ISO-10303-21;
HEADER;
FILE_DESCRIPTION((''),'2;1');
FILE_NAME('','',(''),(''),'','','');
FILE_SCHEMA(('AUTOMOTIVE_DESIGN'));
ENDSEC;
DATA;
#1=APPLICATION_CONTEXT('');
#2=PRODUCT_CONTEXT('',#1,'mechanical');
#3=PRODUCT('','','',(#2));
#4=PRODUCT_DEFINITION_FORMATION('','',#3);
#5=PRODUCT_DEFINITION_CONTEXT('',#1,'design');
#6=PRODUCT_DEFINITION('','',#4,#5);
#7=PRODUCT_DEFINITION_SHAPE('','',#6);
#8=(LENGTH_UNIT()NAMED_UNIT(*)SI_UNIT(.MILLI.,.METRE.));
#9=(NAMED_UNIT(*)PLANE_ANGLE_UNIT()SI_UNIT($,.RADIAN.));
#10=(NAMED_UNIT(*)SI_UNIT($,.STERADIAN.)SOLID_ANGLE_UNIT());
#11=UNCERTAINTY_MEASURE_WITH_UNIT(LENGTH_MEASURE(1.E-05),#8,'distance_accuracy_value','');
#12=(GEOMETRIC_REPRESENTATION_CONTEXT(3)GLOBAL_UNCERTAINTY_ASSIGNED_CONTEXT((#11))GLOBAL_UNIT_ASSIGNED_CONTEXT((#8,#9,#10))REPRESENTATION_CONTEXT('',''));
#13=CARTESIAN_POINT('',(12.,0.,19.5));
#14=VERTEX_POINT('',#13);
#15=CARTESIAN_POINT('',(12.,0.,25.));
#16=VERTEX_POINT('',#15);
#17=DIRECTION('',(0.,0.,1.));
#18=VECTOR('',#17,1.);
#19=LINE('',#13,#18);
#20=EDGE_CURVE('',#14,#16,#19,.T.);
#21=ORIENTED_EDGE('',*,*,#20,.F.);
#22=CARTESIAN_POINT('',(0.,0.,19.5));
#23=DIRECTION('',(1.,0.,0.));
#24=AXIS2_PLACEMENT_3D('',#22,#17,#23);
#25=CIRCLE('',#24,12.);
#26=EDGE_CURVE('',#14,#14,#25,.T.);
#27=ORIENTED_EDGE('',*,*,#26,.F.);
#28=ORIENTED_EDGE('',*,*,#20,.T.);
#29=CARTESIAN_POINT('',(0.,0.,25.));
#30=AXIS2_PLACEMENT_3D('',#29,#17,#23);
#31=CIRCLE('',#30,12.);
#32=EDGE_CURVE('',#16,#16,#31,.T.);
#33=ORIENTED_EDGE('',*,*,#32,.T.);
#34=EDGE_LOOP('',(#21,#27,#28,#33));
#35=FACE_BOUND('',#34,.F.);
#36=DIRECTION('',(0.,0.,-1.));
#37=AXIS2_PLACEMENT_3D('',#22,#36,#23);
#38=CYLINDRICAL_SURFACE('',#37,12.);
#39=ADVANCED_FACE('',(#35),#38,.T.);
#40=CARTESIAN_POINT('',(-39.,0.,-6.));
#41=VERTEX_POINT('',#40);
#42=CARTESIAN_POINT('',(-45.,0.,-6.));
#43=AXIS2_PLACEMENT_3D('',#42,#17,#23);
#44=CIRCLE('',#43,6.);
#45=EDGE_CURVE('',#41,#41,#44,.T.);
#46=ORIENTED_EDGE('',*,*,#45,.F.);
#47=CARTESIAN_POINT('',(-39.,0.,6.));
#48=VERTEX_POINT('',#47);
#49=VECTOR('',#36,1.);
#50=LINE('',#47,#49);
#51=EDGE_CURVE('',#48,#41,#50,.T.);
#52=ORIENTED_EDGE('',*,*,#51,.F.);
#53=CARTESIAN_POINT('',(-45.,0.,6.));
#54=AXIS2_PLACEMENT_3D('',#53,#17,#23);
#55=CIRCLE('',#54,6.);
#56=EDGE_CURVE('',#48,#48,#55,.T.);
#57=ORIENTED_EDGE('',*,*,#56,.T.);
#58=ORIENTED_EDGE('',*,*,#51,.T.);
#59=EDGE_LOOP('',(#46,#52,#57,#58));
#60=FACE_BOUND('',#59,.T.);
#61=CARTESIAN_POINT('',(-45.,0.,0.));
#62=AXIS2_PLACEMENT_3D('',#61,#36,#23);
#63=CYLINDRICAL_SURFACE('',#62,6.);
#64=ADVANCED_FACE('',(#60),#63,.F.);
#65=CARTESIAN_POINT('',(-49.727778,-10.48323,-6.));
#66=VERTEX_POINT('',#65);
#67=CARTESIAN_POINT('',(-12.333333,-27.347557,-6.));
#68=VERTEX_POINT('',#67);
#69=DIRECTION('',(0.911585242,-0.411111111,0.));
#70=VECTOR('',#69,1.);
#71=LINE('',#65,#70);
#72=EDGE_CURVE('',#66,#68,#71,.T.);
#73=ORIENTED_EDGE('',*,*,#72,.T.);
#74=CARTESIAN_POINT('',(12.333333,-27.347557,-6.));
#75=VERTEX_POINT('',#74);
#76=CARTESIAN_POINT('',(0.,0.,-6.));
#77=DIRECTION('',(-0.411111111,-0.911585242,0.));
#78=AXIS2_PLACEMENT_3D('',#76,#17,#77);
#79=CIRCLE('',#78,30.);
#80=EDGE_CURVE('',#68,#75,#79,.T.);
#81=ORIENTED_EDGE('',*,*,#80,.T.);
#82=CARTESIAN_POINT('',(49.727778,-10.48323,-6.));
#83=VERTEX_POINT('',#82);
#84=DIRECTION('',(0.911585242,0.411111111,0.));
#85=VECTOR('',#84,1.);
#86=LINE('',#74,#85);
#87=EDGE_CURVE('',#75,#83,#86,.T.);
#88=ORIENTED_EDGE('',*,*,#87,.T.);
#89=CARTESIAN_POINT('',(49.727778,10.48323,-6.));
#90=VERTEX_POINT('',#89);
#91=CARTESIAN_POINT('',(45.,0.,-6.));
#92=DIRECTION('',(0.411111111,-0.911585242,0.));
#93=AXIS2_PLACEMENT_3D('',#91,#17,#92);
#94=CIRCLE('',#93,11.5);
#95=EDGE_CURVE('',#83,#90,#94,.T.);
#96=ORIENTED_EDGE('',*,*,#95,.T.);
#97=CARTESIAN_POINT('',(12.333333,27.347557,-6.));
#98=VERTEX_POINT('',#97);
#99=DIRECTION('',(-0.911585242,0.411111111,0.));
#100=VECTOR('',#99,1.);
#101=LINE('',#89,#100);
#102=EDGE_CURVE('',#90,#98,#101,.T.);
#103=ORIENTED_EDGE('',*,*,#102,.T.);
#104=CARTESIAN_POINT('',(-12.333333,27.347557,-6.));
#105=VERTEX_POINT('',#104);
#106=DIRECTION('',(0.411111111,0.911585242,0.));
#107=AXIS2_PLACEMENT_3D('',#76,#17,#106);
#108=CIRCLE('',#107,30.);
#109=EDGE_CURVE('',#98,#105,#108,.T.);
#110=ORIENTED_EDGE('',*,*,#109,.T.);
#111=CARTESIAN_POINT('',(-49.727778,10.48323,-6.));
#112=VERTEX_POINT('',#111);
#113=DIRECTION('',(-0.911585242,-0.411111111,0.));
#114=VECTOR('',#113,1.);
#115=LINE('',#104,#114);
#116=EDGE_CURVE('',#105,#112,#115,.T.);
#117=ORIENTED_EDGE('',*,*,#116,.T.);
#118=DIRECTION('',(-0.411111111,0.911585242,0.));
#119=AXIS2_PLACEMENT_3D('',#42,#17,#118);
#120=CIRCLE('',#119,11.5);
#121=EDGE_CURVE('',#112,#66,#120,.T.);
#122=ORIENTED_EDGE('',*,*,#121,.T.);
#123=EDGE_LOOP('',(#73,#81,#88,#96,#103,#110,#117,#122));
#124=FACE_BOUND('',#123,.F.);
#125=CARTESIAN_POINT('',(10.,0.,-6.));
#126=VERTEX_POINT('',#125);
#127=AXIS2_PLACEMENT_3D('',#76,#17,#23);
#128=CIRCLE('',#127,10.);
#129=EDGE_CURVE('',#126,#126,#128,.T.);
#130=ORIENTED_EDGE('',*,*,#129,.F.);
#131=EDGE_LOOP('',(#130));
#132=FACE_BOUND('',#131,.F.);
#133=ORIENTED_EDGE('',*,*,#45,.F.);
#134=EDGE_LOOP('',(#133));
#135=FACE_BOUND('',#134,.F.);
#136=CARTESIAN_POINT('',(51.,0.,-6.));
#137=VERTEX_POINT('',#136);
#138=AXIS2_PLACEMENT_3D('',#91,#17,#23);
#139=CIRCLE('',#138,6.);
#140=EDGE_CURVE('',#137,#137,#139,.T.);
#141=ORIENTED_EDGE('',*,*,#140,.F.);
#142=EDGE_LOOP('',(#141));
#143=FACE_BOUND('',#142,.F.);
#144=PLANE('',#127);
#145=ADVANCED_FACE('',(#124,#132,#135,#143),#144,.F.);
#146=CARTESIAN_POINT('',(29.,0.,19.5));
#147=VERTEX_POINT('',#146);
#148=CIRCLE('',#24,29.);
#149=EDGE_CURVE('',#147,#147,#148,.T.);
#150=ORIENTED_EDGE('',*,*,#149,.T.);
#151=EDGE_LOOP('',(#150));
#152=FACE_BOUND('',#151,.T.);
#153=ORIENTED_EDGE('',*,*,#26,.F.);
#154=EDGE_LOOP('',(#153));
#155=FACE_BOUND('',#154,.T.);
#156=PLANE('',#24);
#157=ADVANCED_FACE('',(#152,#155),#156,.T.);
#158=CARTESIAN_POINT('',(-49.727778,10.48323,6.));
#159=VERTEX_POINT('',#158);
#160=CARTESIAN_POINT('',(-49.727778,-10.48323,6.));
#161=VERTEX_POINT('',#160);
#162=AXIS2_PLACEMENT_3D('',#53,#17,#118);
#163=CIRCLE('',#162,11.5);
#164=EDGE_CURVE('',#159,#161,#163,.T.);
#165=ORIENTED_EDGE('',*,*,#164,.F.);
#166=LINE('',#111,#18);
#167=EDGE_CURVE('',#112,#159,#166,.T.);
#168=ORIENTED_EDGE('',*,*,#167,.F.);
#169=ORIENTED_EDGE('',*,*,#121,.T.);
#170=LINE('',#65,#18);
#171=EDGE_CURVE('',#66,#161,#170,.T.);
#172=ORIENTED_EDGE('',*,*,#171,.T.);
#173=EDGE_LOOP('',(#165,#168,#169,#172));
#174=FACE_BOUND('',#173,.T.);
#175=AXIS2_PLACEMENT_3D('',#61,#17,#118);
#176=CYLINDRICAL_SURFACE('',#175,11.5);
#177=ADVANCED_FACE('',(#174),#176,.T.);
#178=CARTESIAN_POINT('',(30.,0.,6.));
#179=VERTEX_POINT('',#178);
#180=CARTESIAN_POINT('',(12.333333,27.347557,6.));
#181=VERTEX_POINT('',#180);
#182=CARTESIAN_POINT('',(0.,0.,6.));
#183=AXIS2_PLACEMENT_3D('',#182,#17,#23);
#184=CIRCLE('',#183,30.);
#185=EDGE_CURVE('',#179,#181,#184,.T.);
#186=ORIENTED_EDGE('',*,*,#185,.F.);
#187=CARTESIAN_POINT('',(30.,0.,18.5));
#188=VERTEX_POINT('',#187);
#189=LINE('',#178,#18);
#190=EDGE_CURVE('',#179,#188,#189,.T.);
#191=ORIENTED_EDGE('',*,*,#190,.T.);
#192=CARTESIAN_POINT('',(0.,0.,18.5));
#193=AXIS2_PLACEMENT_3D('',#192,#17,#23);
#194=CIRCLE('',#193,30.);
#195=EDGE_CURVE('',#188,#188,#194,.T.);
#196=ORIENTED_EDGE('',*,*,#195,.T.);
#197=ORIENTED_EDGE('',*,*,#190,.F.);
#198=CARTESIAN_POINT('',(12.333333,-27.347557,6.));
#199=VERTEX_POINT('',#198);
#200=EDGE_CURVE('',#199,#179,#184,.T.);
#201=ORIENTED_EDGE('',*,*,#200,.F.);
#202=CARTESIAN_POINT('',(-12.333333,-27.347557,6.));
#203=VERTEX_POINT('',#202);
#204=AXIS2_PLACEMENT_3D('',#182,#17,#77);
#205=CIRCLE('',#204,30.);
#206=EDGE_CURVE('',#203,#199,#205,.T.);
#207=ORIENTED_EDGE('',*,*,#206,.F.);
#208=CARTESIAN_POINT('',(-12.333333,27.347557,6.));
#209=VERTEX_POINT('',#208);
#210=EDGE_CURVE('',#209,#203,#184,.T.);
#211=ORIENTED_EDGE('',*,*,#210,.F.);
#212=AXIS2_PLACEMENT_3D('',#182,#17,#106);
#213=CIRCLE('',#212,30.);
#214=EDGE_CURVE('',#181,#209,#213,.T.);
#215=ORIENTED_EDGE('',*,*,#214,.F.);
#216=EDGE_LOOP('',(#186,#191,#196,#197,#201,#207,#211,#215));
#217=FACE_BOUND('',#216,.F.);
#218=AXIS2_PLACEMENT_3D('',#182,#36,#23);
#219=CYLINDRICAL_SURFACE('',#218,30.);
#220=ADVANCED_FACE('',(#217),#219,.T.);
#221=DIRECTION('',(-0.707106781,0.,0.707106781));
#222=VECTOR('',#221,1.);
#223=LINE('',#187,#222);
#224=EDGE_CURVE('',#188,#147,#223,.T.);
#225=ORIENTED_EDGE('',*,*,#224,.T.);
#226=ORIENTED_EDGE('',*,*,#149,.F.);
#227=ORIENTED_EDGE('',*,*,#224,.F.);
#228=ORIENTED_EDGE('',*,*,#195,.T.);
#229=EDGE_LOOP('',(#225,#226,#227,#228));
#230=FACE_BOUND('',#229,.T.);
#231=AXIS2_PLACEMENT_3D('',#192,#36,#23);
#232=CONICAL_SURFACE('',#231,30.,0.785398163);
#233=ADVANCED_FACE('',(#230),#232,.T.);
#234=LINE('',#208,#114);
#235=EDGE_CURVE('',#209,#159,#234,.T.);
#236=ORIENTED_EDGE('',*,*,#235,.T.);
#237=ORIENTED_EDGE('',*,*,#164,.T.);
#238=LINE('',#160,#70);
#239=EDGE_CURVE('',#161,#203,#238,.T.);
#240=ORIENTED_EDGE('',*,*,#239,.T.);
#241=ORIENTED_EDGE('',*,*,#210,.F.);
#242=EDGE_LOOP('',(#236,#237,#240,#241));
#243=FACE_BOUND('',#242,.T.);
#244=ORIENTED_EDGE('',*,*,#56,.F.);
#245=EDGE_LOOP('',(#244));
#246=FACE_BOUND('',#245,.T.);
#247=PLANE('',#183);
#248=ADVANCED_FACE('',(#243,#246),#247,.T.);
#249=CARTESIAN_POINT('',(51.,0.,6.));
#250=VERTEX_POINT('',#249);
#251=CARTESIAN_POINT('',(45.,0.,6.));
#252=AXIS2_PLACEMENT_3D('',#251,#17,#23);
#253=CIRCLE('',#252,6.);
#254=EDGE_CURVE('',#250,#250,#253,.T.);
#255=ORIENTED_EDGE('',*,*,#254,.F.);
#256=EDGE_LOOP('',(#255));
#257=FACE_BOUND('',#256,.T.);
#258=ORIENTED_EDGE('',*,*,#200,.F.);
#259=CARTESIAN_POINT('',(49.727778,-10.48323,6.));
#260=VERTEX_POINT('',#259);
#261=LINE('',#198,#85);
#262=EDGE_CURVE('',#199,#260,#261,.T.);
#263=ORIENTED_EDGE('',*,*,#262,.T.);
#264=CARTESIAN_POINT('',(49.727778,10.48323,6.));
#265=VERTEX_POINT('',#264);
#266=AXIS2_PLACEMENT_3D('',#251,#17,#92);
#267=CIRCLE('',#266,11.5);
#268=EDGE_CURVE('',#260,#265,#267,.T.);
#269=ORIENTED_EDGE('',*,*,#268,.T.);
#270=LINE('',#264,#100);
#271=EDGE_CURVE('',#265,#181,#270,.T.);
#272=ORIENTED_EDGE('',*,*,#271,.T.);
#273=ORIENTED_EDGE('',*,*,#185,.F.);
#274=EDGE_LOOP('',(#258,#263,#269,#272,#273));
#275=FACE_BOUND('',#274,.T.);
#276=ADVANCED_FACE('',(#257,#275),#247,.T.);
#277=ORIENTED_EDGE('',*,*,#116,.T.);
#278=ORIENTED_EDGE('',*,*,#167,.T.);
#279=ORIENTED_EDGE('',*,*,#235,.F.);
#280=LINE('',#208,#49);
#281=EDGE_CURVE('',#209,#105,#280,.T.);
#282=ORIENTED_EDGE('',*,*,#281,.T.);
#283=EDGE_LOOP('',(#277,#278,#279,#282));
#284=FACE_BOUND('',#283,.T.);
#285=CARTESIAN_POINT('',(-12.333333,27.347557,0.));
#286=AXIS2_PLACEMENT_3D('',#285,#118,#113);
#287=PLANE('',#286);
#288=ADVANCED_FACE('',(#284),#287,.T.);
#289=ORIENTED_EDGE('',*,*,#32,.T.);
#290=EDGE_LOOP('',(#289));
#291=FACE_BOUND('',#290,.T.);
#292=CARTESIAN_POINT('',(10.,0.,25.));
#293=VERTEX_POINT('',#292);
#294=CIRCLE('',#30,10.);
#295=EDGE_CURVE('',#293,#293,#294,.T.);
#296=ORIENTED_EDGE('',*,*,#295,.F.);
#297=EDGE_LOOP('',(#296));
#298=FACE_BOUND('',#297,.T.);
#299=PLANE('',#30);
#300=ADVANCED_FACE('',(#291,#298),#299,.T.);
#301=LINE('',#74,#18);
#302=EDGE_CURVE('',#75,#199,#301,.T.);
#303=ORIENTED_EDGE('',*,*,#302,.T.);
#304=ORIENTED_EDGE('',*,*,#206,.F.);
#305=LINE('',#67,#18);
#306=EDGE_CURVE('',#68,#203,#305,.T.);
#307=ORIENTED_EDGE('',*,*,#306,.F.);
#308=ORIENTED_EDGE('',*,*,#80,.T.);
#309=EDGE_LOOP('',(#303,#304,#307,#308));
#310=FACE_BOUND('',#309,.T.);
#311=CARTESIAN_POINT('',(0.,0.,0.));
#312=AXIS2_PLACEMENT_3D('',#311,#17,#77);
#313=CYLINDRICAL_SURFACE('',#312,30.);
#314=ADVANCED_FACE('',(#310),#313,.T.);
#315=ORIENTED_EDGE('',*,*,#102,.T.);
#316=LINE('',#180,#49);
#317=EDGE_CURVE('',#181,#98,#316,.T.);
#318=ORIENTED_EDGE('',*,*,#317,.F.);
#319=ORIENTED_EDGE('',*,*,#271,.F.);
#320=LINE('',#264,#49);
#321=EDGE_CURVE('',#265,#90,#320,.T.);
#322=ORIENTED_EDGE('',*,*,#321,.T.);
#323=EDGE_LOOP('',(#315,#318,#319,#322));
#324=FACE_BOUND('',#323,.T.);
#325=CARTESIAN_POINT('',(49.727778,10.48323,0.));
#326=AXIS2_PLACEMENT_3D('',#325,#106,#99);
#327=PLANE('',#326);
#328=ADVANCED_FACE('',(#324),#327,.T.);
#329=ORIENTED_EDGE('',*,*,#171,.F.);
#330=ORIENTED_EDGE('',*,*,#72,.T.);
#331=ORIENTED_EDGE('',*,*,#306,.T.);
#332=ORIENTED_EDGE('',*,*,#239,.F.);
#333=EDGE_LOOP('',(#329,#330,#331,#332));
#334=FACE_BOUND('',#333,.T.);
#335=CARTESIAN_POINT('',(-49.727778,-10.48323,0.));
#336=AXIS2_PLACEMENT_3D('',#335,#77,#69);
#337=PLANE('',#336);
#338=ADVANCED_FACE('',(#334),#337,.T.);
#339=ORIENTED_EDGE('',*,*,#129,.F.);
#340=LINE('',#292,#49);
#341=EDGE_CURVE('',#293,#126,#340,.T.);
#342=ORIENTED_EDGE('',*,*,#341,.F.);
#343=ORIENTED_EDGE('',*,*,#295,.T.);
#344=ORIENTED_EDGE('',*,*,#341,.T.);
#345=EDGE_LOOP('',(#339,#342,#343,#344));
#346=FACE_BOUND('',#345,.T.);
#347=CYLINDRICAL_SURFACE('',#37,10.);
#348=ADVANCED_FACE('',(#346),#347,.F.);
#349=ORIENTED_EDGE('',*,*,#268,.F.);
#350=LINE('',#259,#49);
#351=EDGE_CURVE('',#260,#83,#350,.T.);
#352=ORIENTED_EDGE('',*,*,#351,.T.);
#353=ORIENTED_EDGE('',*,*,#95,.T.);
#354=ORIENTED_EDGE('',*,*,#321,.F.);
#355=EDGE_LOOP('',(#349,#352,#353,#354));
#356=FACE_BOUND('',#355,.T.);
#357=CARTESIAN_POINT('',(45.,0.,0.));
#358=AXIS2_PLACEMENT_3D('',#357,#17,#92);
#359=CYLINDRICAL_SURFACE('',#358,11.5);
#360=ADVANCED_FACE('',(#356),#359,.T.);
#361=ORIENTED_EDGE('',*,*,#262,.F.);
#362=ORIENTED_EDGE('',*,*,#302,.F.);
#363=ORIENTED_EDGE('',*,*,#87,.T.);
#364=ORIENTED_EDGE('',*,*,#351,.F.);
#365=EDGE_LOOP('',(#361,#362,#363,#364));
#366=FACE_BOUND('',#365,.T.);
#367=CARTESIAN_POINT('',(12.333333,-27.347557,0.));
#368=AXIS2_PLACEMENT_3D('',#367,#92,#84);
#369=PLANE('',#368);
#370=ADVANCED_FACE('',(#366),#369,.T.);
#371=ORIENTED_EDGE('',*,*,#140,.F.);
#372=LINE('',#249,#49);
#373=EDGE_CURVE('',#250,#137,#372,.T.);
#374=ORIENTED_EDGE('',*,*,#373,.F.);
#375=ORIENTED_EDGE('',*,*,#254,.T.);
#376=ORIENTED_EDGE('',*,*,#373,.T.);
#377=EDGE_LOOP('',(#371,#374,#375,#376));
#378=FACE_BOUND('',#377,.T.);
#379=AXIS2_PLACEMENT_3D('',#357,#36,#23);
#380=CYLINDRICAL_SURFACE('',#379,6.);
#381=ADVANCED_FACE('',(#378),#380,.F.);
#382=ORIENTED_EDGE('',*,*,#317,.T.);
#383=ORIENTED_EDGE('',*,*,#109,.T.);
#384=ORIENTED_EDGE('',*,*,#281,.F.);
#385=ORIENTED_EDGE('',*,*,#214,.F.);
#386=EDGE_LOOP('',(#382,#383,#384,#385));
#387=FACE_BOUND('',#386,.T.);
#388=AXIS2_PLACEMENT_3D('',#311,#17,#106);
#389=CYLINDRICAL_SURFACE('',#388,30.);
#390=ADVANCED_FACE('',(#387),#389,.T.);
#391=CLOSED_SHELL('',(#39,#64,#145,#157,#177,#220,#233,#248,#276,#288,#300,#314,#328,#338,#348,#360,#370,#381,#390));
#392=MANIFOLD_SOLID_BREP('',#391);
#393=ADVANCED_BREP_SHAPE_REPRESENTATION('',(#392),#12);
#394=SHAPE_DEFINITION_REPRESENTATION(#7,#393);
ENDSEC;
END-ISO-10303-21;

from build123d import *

# Parameters (mm, degrees)
F0_R     = 6
F0_R_2   = 10
F1_DEPTH = 6
F2_R     = 30
F2_R_2   = 10
F3_DEPTH = 13.5
F4_R     = 12
F4_R_2   = 10
F5_DEPTH = 5.5
F6_SIZE  = 1


with BuildPart() as f1:
    # F0 (on Top) → F1 (new body, symmetric)
    with BuildSketch(Plane.XY):
        with BuildLine():
            Line((-12.3333333333, 27.3475572746), (-49.7277777778, 10.4832302886))
            ThreePointArc((-49.7277777778, 10.4832302886), (-56.5, 0), (-49.7277777778, -10.4832302886))
            Line((-49.7277777778, -10.4832302886), (-12.3333333333, -27.3475572746))
            ThreePointArc((-12.3333333333, -27.3475572746), (0, -30), (12.3333333333, -27.3475572746))
            Line((12.3333333333, -27.3475572746), (49.7277777778, -10.4832302886))
            ThreePointArc((49.7277777778, -10.4832302886), (56.5, 0), (49.7277777778, 10.4832302886))
            Line((49.7277777778, 10.4832302886), (12.3333333333, 27.3475572746))
            ThreePointArc((12.3333333333, 27.3475572746), (0, 30), (-12.3333333333, 27.3475572746))
        make_face()
        with Locations((-45, 0)):
            Circle(F0_R, mode=Mode.SUBTRACT)
        Circle(F0_R_2, mode=Mode.SUBTRACT)
        with Locations((45, 0)):
            Circle(F0_R, mode=Mode.SUBTRACT)
    extrude(amount=F1_DEPTH, both=True)

    # F2 (on face) → F3 (join)
    with BuildSketch(Plane.XY.offset(6)):
        Circle(F2_R)
        Circle(F2_R_2, mode=Mode.SUBTRACT)
    extrude(amount=F3_DEPTH)

    # F4 (on face) → F5 (join)
    with BuildSketch(Plane.XY.offset(19.5)):
        Circle(F4_R)
        Circle(F4_R_2, mode=Mode.SUBTRACT)
    extrude(amount=F5_DEPTH)

    # F6
    f6_edges = [f1.edges().sort_by_distance(p)[0] for p in [
        (-30, 0, 19.5),
    ]]
    chamfer(f6_edges, length=F6_SIZE)


solid = f1.part
